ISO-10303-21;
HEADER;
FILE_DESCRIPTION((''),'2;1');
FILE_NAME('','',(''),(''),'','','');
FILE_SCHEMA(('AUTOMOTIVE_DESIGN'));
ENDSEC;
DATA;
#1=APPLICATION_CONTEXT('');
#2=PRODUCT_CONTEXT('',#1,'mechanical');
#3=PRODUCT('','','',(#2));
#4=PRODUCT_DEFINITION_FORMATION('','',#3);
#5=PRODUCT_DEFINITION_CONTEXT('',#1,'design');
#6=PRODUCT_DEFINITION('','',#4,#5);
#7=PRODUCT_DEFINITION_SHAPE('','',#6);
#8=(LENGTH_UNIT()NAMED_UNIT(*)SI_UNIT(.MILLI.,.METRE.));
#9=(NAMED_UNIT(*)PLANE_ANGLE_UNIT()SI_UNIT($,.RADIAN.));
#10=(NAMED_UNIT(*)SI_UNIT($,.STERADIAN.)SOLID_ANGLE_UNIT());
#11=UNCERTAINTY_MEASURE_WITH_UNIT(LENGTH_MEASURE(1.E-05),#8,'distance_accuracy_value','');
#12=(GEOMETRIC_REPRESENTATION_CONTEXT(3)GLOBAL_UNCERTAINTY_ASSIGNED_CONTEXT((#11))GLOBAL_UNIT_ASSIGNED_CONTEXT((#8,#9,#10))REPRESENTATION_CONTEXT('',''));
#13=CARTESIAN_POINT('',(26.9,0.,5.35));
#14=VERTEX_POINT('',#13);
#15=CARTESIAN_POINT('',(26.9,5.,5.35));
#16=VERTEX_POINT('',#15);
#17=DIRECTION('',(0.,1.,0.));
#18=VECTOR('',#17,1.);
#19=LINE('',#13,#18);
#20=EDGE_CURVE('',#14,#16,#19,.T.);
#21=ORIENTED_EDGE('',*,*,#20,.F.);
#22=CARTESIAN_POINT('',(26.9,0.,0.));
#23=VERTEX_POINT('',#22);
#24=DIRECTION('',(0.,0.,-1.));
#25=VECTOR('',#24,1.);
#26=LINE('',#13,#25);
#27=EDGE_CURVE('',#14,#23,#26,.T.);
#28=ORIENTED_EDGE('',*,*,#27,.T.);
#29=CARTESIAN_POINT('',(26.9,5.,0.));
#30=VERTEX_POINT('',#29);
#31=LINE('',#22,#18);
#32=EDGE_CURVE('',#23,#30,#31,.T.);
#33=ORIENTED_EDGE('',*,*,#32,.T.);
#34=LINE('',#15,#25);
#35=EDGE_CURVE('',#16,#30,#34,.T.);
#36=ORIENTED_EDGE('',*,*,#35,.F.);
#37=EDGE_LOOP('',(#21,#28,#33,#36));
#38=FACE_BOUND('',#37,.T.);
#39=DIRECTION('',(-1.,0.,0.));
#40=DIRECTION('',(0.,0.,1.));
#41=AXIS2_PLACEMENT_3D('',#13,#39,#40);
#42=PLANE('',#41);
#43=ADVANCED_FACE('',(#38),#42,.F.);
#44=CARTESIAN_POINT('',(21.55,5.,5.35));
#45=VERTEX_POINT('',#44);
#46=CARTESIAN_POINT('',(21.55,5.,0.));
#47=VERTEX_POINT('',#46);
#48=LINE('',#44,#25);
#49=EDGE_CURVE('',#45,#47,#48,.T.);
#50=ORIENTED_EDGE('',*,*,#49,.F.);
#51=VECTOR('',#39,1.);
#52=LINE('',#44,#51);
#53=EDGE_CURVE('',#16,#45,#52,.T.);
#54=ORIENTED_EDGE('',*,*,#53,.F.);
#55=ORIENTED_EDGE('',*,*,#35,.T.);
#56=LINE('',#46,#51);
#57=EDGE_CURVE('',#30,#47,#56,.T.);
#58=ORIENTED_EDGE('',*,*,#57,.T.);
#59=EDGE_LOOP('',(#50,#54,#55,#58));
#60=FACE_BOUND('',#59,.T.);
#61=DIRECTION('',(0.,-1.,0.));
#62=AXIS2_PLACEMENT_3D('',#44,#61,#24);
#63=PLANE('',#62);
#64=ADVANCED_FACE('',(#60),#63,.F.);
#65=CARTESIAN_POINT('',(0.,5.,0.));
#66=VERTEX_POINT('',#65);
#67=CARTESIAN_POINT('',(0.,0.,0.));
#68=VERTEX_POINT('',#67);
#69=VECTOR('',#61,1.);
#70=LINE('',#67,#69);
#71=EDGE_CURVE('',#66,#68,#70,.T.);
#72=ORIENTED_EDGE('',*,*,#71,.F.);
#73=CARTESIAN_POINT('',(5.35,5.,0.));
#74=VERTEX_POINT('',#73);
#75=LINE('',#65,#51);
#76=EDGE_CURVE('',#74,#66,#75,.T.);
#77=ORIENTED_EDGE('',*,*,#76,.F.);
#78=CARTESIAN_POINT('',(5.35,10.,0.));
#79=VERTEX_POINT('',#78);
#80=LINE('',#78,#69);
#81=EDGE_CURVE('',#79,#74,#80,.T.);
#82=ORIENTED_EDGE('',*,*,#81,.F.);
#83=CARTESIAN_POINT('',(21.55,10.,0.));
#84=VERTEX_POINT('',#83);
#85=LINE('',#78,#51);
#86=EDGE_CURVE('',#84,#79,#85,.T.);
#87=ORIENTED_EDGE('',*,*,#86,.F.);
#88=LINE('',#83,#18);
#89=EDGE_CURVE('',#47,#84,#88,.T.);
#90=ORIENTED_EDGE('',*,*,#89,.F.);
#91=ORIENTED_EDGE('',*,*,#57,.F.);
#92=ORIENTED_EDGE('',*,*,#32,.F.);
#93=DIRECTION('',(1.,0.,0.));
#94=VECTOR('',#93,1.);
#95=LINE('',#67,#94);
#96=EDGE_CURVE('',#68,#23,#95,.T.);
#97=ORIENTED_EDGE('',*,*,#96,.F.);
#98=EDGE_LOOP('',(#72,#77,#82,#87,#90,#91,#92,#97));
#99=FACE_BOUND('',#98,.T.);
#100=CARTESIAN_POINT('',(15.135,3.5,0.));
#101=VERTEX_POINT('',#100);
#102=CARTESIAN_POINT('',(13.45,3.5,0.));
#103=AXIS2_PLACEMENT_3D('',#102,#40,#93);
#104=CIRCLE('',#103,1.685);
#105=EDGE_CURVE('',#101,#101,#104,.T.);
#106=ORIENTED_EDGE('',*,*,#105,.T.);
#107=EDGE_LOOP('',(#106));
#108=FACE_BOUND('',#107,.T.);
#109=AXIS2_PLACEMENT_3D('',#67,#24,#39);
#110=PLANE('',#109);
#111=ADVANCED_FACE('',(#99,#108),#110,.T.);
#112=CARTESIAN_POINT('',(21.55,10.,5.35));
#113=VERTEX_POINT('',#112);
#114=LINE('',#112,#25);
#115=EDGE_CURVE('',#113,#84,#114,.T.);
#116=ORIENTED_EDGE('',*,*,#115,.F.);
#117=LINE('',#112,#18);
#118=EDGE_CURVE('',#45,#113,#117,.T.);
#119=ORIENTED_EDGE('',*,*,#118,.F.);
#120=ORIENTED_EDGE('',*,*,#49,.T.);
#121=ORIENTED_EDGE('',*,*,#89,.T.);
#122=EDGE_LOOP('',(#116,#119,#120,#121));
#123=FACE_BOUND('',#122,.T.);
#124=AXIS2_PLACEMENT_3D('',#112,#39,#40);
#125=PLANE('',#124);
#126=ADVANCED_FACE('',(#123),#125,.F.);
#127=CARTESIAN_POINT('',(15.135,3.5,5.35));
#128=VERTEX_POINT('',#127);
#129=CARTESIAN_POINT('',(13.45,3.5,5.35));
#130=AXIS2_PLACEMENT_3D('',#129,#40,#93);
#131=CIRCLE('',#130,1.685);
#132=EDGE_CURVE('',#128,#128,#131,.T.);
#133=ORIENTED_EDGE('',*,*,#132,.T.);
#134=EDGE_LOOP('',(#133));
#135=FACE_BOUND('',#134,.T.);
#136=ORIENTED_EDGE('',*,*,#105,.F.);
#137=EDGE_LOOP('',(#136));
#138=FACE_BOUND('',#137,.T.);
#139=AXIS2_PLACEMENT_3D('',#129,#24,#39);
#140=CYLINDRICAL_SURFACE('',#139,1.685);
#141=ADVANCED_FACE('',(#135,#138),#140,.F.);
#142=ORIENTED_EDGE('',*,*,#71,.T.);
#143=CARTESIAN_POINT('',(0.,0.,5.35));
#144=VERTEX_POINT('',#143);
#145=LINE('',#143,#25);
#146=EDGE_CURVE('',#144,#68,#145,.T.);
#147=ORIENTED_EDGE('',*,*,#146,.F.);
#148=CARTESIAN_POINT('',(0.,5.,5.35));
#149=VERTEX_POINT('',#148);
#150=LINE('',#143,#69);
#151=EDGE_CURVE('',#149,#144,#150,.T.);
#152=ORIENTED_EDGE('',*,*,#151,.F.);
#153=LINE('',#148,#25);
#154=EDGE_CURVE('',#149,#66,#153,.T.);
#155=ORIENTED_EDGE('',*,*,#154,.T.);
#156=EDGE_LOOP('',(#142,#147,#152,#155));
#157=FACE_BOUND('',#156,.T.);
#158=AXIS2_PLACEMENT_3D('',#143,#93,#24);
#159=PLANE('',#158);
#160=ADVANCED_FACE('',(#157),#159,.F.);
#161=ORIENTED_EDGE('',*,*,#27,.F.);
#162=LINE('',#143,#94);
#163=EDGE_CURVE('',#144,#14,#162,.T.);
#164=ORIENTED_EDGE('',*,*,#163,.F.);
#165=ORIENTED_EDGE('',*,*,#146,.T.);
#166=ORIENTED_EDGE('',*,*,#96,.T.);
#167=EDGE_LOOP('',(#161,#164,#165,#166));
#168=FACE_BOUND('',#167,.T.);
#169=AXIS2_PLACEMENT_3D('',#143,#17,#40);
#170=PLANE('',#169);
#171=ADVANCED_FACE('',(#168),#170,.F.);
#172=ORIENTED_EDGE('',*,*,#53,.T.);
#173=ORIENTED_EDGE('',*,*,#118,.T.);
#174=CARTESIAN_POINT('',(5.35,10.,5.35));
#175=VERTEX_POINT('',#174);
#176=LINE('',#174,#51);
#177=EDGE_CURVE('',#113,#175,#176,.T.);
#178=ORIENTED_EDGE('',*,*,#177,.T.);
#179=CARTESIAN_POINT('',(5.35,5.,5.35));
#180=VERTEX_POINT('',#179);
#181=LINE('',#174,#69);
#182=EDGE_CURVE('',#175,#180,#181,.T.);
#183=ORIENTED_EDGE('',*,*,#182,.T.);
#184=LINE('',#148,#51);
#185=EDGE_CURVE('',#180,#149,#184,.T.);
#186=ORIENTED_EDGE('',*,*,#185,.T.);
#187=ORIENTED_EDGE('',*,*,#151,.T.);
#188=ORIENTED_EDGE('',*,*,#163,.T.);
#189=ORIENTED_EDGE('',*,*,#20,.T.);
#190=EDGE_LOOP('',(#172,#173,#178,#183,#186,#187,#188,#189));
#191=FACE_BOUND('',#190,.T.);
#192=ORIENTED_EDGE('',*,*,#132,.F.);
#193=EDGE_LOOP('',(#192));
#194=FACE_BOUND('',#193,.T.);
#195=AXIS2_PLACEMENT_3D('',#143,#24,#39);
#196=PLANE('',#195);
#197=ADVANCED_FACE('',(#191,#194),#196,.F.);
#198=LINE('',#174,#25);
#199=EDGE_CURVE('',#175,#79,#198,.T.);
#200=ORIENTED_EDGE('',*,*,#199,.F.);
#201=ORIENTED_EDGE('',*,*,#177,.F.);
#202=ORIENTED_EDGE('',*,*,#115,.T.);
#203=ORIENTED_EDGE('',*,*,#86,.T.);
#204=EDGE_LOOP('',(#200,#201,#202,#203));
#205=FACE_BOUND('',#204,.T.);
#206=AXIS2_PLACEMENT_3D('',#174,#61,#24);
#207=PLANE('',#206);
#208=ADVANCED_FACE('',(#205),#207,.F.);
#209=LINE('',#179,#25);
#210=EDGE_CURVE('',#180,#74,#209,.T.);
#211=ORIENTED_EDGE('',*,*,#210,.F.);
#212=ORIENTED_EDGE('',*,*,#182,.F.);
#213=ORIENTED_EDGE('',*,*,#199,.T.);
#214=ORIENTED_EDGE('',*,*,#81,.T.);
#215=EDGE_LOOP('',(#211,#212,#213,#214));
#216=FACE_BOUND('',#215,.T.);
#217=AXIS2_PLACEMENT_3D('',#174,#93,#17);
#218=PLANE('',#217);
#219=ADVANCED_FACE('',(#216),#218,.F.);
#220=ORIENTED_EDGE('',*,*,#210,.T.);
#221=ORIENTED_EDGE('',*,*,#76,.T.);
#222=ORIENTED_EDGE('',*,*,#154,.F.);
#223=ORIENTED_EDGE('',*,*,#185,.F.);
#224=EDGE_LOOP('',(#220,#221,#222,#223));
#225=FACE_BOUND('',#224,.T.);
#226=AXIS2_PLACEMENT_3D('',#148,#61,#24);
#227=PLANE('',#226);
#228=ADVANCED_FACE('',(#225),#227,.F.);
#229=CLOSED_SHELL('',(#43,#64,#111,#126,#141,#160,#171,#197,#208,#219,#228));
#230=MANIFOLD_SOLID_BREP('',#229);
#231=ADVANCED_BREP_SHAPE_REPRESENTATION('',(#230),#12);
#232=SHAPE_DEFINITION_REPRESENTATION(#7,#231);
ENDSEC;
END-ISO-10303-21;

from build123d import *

# Parameters (mm, degrees)
MODEL_R             = 1.685
BOSS_EXTRUDE1_DEPTH = 5.35


with BuildPart() as part:
    # Model → Boss-Extrude1 (new body)
    with BuildSketch(Plane.XY):
        Polygon((0, 0), (26.9, 0), (26.9, 5), (21.55, 5), (21.55, 10), (5.35, 10), (5.35, 5), (0, 5), align=None)
        with Locations((13.45, 3.5)):
            Circle(MODEL_R, mode=Mode.SUBTRACT)
    extrude(amount=BOSS_EXTRUDE1_DEPTH)


solid = part.part
